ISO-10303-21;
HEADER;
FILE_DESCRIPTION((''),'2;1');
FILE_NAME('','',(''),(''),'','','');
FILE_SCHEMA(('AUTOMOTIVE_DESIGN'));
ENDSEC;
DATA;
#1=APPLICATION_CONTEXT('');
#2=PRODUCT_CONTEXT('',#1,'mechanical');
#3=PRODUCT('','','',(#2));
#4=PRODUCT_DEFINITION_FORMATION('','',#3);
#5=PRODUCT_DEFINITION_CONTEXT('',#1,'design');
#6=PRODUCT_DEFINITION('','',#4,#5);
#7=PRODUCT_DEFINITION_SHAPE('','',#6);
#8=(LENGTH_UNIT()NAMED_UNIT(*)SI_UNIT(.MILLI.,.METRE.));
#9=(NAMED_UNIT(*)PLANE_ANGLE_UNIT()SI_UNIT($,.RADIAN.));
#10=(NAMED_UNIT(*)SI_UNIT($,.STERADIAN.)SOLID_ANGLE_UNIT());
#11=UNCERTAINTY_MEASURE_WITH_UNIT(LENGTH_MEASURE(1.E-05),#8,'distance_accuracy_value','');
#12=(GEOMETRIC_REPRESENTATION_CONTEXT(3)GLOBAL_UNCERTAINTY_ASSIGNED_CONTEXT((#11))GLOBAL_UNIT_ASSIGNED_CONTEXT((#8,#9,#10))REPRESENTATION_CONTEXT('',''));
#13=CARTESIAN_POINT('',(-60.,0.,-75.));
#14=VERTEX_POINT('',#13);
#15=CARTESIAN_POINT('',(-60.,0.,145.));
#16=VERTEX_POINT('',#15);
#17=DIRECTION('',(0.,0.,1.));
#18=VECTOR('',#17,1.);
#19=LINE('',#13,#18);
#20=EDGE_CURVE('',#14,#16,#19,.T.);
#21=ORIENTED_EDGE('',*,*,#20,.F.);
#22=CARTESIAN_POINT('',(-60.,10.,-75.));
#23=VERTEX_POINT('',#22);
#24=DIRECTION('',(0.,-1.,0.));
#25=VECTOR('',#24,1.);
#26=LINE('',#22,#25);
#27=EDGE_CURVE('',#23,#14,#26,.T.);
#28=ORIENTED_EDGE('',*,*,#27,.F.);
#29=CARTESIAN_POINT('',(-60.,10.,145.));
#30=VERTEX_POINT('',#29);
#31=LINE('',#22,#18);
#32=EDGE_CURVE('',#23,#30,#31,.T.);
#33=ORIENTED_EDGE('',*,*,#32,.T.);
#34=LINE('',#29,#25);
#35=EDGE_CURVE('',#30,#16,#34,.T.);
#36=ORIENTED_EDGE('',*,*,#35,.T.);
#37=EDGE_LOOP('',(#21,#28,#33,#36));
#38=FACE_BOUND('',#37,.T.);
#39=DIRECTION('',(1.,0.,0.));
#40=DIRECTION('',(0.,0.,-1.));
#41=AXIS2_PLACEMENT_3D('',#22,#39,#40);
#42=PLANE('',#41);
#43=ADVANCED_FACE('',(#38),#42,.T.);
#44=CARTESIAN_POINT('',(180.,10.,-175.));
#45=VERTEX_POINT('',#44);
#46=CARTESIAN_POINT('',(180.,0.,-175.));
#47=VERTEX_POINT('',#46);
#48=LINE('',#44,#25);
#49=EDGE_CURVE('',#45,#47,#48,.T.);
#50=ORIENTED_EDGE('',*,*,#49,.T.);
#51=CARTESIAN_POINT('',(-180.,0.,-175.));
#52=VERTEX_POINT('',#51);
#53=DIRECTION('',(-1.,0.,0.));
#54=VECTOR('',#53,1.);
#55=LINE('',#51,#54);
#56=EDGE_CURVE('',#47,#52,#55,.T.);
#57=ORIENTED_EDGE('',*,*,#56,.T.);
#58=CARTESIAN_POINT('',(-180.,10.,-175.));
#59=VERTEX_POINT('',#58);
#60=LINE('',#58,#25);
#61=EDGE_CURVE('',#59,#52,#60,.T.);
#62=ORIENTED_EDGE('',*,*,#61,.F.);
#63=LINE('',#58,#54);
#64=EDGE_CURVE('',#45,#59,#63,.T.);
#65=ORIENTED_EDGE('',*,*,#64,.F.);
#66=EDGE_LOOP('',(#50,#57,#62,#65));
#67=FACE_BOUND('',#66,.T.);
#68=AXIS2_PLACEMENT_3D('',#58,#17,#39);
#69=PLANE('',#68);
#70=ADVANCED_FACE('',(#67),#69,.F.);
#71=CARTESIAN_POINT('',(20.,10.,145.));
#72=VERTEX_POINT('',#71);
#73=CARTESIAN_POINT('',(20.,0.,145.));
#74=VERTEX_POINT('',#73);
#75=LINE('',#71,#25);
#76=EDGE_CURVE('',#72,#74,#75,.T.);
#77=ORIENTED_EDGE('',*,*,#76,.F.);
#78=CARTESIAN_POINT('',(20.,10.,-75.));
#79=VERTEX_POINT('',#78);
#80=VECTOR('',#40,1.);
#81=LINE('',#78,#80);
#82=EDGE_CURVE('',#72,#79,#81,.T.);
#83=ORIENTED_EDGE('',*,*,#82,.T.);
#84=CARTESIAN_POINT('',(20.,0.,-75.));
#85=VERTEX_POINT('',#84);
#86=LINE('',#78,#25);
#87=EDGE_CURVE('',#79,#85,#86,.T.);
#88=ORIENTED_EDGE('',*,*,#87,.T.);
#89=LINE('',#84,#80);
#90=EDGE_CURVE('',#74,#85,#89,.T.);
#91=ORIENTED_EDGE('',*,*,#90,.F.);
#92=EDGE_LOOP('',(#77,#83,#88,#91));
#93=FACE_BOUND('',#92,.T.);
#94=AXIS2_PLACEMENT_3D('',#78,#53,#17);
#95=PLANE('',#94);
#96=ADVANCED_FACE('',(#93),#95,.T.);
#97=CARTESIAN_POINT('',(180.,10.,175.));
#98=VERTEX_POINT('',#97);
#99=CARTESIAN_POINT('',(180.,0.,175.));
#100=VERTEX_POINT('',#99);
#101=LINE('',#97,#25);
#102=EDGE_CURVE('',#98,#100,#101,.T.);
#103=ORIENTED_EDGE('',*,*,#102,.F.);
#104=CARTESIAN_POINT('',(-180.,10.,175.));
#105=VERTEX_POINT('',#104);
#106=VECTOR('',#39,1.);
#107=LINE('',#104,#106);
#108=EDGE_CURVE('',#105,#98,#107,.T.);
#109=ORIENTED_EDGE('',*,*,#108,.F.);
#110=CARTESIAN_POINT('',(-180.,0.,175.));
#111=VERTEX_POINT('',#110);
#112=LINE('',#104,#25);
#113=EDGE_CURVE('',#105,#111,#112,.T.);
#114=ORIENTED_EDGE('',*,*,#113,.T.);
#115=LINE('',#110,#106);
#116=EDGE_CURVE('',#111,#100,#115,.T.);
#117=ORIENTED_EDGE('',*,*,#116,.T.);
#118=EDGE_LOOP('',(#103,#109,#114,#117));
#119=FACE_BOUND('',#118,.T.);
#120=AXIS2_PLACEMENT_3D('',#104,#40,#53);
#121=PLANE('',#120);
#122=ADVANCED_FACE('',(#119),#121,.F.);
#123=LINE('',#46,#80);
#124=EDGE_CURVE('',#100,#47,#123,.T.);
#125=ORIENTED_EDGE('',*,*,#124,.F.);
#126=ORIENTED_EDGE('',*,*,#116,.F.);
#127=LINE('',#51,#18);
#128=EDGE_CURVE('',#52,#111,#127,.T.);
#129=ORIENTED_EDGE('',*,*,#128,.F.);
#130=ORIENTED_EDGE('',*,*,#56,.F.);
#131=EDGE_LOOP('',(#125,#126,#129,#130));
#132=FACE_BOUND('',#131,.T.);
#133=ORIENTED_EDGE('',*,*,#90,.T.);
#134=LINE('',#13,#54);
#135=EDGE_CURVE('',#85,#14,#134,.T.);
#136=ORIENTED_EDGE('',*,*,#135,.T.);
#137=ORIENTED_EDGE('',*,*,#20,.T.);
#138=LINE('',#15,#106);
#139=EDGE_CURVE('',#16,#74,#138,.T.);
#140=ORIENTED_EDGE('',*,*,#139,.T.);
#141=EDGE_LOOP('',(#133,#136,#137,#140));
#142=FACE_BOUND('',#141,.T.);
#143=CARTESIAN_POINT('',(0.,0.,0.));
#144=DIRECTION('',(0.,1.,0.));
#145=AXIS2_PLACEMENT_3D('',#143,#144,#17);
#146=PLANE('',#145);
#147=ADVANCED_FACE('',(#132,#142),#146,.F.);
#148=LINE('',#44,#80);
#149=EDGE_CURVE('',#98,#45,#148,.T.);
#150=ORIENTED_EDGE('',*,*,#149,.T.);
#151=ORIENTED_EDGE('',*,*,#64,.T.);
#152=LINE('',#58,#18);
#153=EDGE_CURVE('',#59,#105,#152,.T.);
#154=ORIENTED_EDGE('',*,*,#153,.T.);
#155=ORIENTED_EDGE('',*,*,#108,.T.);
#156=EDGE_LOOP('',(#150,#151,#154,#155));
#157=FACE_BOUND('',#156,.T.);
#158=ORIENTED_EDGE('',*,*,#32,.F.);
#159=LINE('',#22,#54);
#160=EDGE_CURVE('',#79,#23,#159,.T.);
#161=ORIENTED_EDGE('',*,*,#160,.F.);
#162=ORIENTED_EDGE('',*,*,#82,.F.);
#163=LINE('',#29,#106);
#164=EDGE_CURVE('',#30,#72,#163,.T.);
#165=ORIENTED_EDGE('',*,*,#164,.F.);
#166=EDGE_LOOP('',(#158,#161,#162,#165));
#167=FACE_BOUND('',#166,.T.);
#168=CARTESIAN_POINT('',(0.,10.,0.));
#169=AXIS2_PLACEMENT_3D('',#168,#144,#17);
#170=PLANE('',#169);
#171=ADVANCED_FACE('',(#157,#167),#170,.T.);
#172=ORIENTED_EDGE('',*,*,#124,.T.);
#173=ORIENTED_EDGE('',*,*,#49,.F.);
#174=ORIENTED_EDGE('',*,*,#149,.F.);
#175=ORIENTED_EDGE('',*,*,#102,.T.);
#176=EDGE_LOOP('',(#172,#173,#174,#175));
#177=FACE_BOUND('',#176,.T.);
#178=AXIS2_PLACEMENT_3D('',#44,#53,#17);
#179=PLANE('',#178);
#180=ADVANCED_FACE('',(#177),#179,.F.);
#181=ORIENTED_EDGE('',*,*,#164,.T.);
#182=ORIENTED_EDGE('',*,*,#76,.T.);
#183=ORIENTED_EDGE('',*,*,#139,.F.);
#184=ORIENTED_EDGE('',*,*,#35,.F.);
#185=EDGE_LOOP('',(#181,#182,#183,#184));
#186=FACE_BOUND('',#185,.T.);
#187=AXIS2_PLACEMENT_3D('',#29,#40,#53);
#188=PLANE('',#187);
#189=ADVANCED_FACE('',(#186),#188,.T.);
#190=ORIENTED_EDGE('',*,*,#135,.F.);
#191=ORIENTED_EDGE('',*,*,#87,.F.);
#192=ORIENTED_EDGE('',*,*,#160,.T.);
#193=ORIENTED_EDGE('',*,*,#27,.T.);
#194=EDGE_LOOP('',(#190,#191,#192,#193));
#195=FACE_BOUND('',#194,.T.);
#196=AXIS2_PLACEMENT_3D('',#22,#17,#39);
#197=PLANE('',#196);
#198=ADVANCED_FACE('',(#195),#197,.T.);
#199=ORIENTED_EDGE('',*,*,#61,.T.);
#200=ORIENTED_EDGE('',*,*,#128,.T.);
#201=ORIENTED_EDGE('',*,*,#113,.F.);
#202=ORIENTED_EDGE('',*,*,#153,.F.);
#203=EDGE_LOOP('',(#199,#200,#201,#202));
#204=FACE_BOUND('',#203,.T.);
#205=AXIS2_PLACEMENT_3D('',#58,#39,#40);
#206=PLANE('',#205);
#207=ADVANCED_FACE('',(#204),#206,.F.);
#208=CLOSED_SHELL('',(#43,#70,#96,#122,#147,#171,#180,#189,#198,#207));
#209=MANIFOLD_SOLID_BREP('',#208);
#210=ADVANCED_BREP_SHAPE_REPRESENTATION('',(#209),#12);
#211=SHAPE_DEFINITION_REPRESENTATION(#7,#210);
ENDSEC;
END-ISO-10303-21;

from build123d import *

# Parameters (mm, degrees)
SKETCH1_W           = 360
SKETCH1_H           = 350
SKETCH1_W_2         = 80
SKETCH1_H_2         = 220
BOSS_EXTRUDE1_DEPTH = 10


with BuildPart() as part:
    # Sketch1 → Boss-Extrude1 (new body)
    with BuildSketch(Plane(origin=(0, 0, 0), x_dir=(1, 0, 0), z_dir=(0, 1, 0))):
        Rectangle(SKETCH1_W, SKETCH1_H)
        with Locations((-20, -35)):
            Rectangle(SKETCH1_W_2, SKETCH1_H_2, mode=Mode.SUBTRACT)
    extrude(amount=BOSS_EXTRUDE1_DEPTH)


solid = part.part
